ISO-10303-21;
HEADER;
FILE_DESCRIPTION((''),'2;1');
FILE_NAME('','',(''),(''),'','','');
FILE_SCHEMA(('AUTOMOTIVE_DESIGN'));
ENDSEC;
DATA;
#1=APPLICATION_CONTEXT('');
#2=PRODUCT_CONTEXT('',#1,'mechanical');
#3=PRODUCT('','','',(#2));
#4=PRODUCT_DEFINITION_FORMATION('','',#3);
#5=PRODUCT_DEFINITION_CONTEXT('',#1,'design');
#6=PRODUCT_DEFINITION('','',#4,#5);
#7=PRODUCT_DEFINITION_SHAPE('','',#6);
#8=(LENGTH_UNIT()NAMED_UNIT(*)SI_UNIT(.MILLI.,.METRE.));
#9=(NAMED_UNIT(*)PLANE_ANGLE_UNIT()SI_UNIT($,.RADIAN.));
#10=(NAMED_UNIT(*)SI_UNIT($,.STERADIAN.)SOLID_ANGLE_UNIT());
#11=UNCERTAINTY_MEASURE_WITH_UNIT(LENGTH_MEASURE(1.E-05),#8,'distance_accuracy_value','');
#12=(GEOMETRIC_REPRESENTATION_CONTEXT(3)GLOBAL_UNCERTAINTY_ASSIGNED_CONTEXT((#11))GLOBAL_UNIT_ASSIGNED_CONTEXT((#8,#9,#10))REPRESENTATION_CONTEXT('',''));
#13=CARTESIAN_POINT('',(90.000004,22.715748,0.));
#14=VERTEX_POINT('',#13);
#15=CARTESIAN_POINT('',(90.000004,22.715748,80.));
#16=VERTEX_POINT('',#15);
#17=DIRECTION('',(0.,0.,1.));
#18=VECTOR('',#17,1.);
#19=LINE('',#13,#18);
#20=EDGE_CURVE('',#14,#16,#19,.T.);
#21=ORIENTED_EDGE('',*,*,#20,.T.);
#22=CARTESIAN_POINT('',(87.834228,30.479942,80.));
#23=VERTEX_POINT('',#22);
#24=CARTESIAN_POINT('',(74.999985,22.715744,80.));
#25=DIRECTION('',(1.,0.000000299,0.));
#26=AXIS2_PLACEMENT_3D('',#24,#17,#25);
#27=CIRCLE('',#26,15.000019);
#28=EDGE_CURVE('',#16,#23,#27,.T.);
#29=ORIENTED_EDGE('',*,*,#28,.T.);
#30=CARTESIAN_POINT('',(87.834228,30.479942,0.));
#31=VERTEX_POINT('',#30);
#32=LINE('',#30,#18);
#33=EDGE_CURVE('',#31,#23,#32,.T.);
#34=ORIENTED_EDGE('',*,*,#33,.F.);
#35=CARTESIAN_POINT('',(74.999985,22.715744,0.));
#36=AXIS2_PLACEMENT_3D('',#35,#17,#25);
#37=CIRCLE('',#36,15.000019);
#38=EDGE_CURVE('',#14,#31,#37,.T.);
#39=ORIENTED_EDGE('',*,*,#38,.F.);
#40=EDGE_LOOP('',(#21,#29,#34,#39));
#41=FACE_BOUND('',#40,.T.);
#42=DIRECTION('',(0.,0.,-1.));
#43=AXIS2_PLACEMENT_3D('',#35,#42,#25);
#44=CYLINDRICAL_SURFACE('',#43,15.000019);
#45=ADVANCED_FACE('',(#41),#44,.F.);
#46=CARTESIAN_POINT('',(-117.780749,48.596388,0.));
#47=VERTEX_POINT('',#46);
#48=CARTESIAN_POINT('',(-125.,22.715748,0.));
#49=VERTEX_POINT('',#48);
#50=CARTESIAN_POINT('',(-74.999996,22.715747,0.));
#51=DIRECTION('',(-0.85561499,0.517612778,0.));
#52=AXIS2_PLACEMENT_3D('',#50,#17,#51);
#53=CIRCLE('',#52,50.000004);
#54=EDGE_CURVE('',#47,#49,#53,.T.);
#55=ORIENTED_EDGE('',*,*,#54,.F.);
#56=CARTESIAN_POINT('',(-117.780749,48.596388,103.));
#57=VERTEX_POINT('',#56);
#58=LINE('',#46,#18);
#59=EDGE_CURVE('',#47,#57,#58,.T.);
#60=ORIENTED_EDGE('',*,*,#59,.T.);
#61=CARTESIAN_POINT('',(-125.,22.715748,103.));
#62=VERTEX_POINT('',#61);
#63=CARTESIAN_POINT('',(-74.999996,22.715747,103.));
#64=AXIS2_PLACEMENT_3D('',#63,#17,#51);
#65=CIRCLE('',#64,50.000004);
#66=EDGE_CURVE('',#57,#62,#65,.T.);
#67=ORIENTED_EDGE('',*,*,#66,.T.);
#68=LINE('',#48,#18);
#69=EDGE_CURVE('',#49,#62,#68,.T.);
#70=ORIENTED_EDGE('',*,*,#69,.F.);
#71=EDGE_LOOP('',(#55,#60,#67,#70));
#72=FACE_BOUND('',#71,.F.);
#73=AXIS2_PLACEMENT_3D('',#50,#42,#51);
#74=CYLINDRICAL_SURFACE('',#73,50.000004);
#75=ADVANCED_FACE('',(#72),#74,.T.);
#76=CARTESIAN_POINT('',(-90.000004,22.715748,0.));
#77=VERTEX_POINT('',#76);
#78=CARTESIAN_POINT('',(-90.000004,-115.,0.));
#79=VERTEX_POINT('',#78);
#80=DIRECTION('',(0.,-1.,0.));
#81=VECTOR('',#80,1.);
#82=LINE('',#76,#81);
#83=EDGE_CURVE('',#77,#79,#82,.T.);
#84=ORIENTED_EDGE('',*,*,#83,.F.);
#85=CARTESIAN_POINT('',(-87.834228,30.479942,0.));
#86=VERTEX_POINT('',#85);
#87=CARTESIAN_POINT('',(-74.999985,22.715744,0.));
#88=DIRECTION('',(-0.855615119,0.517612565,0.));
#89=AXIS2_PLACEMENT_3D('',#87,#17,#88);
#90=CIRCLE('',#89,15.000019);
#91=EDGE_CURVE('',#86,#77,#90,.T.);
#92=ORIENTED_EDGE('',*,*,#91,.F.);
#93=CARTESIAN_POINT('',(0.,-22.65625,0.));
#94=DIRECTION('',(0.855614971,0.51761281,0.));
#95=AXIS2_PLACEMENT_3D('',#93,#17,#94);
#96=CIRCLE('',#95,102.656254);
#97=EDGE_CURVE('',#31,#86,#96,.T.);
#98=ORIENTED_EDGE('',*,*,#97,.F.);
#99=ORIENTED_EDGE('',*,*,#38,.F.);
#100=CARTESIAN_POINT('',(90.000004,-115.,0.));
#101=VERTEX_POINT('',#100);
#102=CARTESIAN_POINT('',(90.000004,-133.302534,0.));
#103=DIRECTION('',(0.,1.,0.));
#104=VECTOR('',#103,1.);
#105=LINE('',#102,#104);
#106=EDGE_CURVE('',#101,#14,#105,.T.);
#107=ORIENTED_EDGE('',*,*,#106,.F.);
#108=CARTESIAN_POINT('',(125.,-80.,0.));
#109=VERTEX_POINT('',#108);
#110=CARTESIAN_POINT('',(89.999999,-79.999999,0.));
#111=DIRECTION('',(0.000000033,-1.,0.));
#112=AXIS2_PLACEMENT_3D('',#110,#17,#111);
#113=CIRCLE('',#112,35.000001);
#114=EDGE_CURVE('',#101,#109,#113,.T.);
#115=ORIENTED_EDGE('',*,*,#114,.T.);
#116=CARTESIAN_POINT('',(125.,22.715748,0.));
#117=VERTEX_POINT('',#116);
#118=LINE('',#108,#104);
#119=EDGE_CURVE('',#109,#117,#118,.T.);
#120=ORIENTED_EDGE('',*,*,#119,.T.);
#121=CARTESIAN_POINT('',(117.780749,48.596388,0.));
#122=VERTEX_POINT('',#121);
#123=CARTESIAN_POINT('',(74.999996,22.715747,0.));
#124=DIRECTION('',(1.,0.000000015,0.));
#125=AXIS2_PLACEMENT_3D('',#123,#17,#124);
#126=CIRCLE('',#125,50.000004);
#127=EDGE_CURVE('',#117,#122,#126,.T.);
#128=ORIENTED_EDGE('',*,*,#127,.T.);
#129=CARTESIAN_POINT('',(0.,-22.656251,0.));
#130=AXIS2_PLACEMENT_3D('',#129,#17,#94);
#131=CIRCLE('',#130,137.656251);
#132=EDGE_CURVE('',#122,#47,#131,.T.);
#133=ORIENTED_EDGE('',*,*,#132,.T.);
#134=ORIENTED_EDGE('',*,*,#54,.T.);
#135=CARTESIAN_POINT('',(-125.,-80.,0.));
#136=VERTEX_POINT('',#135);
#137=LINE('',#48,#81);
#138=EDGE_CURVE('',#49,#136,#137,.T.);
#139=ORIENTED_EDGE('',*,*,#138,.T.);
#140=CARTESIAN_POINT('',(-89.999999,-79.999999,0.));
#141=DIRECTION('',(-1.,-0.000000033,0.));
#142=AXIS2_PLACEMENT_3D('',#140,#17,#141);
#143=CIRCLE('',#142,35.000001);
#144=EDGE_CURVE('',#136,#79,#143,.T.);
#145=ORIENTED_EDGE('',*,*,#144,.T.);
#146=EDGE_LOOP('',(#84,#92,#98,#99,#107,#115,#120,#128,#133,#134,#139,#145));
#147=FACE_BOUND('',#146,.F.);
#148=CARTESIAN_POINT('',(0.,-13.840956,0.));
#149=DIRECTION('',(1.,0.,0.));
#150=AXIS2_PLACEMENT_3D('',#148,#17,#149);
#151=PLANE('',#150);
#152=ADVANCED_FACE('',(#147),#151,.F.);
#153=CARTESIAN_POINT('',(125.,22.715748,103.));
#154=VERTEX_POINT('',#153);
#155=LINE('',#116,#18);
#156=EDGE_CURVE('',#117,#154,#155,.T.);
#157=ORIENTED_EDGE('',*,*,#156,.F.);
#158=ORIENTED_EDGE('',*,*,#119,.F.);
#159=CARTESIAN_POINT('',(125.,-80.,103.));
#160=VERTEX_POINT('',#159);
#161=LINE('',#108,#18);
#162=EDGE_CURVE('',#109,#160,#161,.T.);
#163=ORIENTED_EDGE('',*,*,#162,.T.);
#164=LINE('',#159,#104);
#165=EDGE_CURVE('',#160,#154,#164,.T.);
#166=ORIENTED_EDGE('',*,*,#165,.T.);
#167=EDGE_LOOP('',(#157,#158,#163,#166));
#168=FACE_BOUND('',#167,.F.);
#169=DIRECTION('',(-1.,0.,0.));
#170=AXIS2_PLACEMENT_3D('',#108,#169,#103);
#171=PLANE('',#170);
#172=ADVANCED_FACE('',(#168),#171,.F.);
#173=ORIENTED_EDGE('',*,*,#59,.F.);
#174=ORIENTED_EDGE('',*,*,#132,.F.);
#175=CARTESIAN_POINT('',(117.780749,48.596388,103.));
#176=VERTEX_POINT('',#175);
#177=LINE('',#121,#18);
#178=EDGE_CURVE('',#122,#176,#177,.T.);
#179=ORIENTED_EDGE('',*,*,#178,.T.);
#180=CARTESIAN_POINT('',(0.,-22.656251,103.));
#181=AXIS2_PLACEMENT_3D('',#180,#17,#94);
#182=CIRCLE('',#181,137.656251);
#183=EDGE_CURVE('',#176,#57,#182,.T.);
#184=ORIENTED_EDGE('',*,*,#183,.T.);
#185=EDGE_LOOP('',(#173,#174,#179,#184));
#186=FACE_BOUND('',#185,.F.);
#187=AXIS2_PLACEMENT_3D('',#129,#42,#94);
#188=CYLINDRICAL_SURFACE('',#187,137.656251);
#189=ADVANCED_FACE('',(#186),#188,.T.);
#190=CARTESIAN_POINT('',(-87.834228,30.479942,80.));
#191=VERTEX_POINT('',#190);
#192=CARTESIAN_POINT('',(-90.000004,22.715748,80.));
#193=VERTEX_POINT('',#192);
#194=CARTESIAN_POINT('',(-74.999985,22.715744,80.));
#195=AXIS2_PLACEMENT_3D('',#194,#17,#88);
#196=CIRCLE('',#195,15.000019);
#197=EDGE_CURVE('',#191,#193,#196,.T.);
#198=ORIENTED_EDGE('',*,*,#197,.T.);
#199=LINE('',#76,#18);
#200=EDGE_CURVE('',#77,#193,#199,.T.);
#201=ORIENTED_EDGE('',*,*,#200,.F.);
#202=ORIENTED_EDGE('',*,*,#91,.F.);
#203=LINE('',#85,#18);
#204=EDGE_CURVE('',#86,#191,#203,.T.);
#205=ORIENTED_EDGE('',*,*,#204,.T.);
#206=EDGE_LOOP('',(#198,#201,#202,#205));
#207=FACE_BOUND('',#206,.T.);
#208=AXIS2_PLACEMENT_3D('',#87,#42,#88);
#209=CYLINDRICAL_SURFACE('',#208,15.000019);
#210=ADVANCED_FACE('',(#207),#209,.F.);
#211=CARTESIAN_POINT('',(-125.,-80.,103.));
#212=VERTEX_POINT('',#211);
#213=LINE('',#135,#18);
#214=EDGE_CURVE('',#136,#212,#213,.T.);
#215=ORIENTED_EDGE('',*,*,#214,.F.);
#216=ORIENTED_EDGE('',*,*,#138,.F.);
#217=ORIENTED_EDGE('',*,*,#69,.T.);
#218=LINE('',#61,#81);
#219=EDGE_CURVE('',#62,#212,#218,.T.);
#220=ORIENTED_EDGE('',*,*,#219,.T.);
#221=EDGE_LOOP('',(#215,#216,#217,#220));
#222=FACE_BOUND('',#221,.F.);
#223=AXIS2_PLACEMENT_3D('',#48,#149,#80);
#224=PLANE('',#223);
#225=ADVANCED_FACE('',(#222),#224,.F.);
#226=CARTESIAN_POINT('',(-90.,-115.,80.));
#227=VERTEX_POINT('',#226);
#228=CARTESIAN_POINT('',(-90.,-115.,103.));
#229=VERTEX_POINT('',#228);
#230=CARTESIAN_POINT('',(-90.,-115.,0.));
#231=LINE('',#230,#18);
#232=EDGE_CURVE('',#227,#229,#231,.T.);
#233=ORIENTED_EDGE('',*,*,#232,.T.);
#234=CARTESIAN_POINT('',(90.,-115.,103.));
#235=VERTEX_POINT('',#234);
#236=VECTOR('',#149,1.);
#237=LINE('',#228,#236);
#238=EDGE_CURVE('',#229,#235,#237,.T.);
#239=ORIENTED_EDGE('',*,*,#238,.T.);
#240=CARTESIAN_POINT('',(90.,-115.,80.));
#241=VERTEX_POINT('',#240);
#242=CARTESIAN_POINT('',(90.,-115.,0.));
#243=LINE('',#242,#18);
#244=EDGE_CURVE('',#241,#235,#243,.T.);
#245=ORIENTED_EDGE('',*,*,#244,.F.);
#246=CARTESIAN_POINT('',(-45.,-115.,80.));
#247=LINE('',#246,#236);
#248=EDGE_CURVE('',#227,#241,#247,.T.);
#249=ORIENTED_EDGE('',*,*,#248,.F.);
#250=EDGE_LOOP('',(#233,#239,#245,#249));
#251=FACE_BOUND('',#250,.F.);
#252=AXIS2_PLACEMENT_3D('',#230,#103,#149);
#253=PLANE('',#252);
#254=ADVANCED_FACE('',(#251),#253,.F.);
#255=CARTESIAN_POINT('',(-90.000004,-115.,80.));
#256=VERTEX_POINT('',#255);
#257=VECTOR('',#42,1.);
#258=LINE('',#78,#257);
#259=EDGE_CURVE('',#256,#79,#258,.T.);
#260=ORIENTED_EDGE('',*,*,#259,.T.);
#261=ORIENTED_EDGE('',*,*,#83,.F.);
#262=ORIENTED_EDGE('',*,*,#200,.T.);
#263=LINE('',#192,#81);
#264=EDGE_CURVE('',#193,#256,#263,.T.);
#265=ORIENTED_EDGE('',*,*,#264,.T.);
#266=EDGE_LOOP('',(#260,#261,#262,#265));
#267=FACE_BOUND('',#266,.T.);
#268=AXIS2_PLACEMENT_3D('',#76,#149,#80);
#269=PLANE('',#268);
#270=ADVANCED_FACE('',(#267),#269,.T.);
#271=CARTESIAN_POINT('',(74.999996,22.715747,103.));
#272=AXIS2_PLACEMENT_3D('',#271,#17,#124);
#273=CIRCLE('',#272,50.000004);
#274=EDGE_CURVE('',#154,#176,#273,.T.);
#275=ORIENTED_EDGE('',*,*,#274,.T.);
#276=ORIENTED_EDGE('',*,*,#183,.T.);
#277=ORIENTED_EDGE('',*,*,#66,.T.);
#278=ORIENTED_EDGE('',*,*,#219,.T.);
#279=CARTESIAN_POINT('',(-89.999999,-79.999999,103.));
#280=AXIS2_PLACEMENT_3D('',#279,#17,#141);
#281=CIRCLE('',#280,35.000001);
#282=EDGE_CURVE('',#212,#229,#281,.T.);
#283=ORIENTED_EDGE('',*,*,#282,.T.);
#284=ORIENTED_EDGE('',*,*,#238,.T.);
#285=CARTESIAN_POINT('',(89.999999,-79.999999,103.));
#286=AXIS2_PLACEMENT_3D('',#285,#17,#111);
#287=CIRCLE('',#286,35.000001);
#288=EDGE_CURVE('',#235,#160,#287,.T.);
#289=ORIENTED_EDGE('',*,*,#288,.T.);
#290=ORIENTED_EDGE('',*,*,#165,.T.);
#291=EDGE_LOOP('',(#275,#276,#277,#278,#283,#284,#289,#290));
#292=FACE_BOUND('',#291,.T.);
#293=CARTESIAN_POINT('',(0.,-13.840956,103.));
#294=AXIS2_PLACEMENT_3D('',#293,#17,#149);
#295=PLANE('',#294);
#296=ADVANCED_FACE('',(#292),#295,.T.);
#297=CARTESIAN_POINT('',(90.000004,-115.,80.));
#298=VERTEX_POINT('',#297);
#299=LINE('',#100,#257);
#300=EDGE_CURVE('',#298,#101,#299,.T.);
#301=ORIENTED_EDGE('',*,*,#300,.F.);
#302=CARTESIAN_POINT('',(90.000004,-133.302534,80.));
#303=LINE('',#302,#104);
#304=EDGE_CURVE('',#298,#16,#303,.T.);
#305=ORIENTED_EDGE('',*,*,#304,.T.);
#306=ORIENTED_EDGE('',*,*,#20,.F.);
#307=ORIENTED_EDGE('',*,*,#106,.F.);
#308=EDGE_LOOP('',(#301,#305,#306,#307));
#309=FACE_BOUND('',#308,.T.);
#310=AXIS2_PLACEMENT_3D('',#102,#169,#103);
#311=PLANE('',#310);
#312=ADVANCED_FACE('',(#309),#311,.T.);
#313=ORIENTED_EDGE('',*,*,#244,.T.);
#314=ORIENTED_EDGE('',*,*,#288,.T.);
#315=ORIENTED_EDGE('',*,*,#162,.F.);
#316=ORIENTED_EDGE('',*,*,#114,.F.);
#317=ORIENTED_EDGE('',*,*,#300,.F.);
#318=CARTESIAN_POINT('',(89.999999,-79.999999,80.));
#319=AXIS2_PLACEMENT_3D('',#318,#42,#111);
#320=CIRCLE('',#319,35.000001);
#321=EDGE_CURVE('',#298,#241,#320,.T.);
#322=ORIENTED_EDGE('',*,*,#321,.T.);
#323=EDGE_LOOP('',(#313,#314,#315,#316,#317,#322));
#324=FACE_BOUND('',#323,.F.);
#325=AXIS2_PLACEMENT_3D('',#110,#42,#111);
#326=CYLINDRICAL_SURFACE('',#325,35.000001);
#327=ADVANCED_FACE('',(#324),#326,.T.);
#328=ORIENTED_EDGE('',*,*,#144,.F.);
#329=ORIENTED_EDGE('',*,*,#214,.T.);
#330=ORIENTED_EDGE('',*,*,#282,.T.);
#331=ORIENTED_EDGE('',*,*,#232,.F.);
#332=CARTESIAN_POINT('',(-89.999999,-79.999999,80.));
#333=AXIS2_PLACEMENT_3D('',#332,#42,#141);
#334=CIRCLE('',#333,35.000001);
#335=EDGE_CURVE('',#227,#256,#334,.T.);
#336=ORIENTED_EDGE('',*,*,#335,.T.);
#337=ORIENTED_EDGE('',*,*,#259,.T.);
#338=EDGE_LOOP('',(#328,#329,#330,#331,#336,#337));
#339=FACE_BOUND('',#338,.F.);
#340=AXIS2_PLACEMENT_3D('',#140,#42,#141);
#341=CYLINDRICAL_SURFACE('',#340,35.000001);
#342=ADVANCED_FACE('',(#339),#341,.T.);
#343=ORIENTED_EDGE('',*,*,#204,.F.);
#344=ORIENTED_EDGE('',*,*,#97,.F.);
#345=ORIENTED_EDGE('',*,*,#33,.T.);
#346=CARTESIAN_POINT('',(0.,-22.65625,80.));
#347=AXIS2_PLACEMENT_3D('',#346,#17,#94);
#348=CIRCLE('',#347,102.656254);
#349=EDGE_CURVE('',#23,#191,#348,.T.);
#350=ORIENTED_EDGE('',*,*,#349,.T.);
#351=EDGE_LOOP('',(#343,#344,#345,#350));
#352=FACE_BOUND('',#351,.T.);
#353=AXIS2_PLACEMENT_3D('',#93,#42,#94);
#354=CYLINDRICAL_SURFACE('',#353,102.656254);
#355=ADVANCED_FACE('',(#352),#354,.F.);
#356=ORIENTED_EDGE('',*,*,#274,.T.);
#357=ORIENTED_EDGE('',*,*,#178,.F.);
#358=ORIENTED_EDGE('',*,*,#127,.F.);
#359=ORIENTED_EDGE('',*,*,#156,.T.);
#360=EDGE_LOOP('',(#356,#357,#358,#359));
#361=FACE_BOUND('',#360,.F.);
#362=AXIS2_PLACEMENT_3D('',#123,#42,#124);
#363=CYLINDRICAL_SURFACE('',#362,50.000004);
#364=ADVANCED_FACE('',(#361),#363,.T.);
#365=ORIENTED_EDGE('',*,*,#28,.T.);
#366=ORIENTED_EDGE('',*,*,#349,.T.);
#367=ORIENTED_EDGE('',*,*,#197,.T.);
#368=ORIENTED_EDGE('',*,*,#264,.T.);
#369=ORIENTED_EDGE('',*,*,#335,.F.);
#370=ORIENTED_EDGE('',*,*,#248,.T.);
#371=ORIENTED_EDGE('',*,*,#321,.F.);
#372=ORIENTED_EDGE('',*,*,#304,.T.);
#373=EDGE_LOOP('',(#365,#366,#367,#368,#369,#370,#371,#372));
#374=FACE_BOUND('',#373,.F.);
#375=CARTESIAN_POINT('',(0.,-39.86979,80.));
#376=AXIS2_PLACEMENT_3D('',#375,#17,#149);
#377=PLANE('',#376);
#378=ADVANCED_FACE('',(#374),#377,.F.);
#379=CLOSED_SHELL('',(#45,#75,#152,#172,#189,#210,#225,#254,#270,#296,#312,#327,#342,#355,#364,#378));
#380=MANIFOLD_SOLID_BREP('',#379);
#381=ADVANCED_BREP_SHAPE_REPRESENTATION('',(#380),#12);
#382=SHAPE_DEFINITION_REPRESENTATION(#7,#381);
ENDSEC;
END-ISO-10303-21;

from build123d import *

# Parameters (mm, degrees)
F1_DEPTH = 103
F3_DEPTH = 80


with BuildPart() as f1:
    # F0 (on Top) → F1 (new body)
    with BuildSketch(Plane.XY):
        with BuildLine():
            Line((-90, -115), (90, -115))
            ThreePointArc((90, -115), (114.748737, -104.748737), (125, -80))
            Line((125, -80), (125, 22.715748))
            ThreePointArc((125, 22.715748), (123.161382, 36.15008), (117.780749, 48.596388))
            ThreePointArc((117.780749, 48.596388), (0, 115), (-117.780749, 48.596388))
            ThreePointArc((-117.780749, 48.596388), (-123.161382, 36.15008), (-125, 22.715748))
            Line((-125, 22.715748), (-125, -80))
            ThreePointArc((-125, -80), (-114.748737, -104.748737), (-90, -115))
        make_face()
    extrude(amount=F1_DEPTH)

    # F2 (on Top) → F3 (cut)
    with BuildSketch(Plane.XY):
        with BuildLine():
            Line((-90.000004, -133.302534), (90.000004, -133.302534))
            Line((90.000004, -133.302534), (90.000004, 22.715748))
            ThreePointArc((90.000004, 22.715748), (89.448418, 26.746048), (87.834228, 30.479942))
            ThreePointArc((87.834228, 30.479942), (0, 80.000004), (-87.834228, 30.479942))
            ThreePointArc((-87.834228, 30.479942), (-89.448418, 26.746048), (-90.000004, 22.715748))
            Line((-90.000004, 22.715748), (-90.000004, -133.302534))
        make_face()
    extrude(amount=F3_DEPTH, mode=Mode.SUBTRACT)


solid = f1.part
